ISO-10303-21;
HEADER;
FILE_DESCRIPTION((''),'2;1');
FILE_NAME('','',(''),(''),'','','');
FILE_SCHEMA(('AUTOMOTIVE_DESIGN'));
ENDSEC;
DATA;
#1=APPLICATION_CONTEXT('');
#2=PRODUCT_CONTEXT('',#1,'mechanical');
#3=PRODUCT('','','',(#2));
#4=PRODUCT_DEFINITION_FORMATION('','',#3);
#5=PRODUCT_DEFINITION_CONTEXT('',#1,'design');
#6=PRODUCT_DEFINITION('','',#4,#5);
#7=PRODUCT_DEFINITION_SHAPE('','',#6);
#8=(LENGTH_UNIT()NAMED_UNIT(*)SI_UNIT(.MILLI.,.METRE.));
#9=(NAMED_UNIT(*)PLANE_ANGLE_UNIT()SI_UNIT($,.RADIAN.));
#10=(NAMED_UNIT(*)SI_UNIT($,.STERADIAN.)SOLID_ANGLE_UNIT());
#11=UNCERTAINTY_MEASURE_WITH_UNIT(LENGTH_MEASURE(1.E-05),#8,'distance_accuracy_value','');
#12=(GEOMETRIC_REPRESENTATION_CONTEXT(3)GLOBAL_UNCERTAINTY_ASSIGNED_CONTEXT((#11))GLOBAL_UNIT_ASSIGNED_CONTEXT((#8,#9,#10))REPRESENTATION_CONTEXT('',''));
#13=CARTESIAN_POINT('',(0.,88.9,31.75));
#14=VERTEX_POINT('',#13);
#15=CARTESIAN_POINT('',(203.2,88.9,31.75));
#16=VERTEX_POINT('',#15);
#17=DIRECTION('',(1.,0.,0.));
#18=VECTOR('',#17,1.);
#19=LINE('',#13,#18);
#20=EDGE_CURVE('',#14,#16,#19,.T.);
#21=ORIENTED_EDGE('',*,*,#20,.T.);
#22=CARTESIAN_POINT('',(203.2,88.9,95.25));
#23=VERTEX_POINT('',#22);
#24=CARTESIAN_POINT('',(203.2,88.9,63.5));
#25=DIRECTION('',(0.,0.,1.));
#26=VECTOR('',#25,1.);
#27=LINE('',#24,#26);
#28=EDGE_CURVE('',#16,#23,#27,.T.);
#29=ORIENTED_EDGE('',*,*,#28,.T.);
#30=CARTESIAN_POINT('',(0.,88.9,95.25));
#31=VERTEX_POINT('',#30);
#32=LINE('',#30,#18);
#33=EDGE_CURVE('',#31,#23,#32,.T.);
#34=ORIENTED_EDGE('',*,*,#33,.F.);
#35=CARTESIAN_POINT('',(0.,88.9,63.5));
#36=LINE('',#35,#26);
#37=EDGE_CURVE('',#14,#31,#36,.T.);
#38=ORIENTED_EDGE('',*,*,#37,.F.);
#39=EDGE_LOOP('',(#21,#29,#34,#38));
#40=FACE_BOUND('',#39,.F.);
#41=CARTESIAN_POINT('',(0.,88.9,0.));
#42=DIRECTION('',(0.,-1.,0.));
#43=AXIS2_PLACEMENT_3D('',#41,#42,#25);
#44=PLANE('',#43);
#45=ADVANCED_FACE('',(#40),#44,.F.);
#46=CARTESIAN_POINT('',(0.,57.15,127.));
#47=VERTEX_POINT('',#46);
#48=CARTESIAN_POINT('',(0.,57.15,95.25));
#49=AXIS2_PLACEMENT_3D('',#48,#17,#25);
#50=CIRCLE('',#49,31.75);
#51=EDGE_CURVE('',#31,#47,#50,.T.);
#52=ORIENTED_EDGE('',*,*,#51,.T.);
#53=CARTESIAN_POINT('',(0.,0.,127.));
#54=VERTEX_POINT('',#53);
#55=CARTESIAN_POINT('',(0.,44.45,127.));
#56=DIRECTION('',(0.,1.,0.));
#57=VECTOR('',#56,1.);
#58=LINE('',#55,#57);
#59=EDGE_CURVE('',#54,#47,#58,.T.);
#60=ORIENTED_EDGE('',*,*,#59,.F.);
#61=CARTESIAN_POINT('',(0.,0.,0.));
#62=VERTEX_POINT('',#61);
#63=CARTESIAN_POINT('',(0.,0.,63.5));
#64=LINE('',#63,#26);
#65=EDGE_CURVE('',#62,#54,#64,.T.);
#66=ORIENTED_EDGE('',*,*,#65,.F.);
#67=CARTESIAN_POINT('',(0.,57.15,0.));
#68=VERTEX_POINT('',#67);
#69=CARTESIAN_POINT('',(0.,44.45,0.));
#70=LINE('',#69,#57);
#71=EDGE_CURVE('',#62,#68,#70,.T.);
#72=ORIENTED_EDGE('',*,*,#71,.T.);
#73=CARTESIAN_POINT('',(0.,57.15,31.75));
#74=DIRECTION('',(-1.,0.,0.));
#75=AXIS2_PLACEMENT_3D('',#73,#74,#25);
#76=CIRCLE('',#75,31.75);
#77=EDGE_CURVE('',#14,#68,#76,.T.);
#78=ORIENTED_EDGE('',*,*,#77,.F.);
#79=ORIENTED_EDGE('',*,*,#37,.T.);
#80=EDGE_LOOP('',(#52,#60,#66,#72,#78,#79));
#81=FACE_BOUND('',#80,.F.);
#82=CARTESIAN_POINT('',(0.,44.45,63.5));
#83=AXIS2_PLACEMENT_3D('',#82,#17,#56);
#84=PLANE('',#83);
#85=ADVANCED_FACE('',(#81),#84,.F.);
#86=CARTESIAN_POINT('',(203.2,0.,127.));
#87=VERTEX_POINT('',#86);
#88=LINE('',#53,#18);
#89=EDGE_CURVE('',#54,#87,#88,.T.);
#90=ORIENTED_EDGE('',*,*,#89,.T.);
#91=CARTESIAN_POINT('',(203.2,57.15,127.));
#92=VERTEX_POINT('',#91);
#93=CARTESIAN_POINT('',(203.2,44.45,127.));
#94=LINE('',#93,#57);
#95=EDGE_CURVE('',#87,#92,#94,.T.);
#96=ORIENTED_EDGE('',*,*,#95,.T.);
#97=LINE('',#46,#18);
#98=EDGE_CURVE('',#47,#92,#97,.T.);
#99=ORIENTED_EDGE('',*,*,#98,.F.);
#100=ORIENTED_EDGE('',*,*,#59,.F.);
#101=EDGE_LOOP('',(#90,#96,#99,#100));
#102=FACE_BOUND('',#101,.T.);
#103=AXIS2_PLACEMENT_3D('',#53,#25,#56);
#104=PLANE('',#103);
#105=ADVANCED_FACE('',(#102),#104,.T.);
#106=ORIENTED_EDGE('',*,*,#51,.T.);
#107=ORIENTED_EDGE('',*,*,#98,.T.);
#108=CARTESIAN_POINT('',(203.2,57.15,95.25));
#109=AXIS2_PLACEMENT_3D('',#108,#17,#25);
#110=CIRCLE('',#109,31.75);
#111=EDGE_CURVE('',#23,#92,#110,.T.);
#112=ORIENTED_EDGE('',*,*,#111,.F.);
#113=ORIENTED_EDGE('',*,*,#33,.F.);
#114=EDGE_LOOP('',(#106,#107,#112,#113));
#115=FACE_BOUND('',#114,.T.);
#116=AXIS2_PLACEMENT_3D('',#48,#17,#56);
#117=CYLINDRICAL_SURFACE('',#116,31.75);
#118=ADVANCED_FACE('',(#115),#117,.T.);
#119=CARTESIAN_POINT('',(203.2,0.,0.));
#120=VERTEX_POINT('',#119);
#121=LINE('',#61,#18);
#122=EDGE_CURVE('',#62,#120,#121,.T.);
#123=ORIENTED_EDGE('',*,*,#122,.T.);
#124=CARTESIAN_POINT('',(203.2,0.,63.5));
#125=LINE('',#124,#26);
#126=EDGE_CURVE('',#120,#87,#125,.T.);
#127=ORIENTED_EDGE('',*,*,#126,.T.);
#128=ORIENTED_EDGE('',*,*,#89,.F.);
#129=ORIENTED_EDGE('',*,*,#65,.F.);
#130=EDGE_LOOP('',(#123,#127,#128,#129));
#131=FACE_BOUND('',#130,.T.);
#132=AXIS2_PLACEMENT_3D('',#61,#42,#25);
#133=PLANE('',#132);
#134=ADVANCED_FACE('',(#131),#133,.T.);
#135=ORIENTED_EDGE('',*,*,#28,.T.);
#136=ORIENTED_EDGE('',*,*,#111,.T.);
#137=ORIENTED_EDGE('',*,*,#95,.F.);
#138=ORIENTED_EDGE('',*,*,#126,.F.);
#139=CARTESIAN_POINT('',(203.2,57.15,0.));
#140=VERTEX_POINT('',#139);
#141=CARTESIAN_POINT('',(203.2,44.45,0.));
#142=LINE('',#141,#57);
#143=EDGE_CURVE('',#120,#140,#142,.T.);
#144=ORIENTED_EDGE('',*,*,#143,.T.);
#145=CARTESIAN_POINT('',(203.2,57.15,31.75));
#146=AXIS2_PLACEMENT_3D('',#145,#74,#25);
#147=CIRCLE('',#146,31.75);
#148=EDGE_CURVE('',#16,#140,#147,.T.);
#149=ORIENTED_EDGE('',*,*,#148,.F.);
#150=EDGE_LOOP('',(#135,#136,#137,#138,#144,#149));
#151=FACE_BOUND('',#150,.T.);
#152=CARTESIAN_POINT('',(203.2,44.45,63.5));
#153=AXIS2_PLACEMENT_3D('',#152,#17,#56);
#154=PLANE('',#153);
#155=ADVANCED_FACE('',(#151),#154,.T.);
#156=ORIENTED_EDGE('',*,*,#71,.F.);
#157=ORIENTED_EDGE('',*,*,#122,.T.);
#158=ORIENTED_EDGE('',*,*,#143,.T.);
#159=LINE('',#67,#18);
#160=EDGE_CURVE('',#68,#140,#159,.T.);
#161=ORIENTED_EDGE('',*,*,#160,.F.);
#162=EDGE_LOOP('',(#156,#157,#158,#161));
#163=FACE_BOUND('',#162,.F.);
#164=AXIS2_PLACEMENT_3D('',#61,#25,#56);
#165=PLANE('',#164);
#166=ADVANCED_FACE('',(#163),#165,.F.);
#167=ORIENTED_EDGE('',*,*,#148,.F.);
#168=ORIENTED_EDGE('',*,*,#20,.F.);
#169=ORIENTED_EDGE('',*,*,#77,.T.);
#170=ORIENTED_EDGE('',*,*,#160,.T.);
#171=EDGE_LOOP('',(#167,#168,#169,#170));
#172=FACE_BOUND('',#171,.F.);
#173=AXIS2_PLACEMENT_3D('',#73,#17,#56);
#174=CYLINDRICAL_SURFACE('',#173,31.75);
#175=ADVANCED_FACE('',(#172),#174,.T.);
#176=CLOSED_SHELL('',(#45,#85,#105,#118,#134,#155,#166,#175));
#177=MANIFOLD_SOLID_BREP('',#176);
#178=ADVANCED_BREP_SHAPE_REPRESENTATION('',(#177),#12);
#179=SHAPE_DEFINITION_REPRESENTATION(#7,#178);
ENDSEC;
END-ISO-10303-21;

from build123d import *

# Parameters (mm, degrees)
F0_W     = 88.9
F0_H     = 127
F1_DEPTH = 203.2
F2_R     = 31.75
F3_R     = 31.75


with BuildPart() as f1:
    # F0 (on Right) → F1 (new body)
    with BuildSketch(Plane.YZ):
        with Locations((44.45, 63.5)):
            Rectangle(F0_W, F0_H)
    extrude(amount=F1_DEPTH)

    # F2
    f2_edges = [f1.edges().sort_by_distance(p)[0] for p in [
        (101.6, 88.9, 127),
    ]]
    fillet(f2_edges, radius=F2_R)

    # F3
    f3_edges = [f1.edges().sort_by_distance(p)[0] for p in [
        (101.6, 88.9, 0),
    ]]
    fillet(f3_edges, radius=F3_R)


solid = f1.part
